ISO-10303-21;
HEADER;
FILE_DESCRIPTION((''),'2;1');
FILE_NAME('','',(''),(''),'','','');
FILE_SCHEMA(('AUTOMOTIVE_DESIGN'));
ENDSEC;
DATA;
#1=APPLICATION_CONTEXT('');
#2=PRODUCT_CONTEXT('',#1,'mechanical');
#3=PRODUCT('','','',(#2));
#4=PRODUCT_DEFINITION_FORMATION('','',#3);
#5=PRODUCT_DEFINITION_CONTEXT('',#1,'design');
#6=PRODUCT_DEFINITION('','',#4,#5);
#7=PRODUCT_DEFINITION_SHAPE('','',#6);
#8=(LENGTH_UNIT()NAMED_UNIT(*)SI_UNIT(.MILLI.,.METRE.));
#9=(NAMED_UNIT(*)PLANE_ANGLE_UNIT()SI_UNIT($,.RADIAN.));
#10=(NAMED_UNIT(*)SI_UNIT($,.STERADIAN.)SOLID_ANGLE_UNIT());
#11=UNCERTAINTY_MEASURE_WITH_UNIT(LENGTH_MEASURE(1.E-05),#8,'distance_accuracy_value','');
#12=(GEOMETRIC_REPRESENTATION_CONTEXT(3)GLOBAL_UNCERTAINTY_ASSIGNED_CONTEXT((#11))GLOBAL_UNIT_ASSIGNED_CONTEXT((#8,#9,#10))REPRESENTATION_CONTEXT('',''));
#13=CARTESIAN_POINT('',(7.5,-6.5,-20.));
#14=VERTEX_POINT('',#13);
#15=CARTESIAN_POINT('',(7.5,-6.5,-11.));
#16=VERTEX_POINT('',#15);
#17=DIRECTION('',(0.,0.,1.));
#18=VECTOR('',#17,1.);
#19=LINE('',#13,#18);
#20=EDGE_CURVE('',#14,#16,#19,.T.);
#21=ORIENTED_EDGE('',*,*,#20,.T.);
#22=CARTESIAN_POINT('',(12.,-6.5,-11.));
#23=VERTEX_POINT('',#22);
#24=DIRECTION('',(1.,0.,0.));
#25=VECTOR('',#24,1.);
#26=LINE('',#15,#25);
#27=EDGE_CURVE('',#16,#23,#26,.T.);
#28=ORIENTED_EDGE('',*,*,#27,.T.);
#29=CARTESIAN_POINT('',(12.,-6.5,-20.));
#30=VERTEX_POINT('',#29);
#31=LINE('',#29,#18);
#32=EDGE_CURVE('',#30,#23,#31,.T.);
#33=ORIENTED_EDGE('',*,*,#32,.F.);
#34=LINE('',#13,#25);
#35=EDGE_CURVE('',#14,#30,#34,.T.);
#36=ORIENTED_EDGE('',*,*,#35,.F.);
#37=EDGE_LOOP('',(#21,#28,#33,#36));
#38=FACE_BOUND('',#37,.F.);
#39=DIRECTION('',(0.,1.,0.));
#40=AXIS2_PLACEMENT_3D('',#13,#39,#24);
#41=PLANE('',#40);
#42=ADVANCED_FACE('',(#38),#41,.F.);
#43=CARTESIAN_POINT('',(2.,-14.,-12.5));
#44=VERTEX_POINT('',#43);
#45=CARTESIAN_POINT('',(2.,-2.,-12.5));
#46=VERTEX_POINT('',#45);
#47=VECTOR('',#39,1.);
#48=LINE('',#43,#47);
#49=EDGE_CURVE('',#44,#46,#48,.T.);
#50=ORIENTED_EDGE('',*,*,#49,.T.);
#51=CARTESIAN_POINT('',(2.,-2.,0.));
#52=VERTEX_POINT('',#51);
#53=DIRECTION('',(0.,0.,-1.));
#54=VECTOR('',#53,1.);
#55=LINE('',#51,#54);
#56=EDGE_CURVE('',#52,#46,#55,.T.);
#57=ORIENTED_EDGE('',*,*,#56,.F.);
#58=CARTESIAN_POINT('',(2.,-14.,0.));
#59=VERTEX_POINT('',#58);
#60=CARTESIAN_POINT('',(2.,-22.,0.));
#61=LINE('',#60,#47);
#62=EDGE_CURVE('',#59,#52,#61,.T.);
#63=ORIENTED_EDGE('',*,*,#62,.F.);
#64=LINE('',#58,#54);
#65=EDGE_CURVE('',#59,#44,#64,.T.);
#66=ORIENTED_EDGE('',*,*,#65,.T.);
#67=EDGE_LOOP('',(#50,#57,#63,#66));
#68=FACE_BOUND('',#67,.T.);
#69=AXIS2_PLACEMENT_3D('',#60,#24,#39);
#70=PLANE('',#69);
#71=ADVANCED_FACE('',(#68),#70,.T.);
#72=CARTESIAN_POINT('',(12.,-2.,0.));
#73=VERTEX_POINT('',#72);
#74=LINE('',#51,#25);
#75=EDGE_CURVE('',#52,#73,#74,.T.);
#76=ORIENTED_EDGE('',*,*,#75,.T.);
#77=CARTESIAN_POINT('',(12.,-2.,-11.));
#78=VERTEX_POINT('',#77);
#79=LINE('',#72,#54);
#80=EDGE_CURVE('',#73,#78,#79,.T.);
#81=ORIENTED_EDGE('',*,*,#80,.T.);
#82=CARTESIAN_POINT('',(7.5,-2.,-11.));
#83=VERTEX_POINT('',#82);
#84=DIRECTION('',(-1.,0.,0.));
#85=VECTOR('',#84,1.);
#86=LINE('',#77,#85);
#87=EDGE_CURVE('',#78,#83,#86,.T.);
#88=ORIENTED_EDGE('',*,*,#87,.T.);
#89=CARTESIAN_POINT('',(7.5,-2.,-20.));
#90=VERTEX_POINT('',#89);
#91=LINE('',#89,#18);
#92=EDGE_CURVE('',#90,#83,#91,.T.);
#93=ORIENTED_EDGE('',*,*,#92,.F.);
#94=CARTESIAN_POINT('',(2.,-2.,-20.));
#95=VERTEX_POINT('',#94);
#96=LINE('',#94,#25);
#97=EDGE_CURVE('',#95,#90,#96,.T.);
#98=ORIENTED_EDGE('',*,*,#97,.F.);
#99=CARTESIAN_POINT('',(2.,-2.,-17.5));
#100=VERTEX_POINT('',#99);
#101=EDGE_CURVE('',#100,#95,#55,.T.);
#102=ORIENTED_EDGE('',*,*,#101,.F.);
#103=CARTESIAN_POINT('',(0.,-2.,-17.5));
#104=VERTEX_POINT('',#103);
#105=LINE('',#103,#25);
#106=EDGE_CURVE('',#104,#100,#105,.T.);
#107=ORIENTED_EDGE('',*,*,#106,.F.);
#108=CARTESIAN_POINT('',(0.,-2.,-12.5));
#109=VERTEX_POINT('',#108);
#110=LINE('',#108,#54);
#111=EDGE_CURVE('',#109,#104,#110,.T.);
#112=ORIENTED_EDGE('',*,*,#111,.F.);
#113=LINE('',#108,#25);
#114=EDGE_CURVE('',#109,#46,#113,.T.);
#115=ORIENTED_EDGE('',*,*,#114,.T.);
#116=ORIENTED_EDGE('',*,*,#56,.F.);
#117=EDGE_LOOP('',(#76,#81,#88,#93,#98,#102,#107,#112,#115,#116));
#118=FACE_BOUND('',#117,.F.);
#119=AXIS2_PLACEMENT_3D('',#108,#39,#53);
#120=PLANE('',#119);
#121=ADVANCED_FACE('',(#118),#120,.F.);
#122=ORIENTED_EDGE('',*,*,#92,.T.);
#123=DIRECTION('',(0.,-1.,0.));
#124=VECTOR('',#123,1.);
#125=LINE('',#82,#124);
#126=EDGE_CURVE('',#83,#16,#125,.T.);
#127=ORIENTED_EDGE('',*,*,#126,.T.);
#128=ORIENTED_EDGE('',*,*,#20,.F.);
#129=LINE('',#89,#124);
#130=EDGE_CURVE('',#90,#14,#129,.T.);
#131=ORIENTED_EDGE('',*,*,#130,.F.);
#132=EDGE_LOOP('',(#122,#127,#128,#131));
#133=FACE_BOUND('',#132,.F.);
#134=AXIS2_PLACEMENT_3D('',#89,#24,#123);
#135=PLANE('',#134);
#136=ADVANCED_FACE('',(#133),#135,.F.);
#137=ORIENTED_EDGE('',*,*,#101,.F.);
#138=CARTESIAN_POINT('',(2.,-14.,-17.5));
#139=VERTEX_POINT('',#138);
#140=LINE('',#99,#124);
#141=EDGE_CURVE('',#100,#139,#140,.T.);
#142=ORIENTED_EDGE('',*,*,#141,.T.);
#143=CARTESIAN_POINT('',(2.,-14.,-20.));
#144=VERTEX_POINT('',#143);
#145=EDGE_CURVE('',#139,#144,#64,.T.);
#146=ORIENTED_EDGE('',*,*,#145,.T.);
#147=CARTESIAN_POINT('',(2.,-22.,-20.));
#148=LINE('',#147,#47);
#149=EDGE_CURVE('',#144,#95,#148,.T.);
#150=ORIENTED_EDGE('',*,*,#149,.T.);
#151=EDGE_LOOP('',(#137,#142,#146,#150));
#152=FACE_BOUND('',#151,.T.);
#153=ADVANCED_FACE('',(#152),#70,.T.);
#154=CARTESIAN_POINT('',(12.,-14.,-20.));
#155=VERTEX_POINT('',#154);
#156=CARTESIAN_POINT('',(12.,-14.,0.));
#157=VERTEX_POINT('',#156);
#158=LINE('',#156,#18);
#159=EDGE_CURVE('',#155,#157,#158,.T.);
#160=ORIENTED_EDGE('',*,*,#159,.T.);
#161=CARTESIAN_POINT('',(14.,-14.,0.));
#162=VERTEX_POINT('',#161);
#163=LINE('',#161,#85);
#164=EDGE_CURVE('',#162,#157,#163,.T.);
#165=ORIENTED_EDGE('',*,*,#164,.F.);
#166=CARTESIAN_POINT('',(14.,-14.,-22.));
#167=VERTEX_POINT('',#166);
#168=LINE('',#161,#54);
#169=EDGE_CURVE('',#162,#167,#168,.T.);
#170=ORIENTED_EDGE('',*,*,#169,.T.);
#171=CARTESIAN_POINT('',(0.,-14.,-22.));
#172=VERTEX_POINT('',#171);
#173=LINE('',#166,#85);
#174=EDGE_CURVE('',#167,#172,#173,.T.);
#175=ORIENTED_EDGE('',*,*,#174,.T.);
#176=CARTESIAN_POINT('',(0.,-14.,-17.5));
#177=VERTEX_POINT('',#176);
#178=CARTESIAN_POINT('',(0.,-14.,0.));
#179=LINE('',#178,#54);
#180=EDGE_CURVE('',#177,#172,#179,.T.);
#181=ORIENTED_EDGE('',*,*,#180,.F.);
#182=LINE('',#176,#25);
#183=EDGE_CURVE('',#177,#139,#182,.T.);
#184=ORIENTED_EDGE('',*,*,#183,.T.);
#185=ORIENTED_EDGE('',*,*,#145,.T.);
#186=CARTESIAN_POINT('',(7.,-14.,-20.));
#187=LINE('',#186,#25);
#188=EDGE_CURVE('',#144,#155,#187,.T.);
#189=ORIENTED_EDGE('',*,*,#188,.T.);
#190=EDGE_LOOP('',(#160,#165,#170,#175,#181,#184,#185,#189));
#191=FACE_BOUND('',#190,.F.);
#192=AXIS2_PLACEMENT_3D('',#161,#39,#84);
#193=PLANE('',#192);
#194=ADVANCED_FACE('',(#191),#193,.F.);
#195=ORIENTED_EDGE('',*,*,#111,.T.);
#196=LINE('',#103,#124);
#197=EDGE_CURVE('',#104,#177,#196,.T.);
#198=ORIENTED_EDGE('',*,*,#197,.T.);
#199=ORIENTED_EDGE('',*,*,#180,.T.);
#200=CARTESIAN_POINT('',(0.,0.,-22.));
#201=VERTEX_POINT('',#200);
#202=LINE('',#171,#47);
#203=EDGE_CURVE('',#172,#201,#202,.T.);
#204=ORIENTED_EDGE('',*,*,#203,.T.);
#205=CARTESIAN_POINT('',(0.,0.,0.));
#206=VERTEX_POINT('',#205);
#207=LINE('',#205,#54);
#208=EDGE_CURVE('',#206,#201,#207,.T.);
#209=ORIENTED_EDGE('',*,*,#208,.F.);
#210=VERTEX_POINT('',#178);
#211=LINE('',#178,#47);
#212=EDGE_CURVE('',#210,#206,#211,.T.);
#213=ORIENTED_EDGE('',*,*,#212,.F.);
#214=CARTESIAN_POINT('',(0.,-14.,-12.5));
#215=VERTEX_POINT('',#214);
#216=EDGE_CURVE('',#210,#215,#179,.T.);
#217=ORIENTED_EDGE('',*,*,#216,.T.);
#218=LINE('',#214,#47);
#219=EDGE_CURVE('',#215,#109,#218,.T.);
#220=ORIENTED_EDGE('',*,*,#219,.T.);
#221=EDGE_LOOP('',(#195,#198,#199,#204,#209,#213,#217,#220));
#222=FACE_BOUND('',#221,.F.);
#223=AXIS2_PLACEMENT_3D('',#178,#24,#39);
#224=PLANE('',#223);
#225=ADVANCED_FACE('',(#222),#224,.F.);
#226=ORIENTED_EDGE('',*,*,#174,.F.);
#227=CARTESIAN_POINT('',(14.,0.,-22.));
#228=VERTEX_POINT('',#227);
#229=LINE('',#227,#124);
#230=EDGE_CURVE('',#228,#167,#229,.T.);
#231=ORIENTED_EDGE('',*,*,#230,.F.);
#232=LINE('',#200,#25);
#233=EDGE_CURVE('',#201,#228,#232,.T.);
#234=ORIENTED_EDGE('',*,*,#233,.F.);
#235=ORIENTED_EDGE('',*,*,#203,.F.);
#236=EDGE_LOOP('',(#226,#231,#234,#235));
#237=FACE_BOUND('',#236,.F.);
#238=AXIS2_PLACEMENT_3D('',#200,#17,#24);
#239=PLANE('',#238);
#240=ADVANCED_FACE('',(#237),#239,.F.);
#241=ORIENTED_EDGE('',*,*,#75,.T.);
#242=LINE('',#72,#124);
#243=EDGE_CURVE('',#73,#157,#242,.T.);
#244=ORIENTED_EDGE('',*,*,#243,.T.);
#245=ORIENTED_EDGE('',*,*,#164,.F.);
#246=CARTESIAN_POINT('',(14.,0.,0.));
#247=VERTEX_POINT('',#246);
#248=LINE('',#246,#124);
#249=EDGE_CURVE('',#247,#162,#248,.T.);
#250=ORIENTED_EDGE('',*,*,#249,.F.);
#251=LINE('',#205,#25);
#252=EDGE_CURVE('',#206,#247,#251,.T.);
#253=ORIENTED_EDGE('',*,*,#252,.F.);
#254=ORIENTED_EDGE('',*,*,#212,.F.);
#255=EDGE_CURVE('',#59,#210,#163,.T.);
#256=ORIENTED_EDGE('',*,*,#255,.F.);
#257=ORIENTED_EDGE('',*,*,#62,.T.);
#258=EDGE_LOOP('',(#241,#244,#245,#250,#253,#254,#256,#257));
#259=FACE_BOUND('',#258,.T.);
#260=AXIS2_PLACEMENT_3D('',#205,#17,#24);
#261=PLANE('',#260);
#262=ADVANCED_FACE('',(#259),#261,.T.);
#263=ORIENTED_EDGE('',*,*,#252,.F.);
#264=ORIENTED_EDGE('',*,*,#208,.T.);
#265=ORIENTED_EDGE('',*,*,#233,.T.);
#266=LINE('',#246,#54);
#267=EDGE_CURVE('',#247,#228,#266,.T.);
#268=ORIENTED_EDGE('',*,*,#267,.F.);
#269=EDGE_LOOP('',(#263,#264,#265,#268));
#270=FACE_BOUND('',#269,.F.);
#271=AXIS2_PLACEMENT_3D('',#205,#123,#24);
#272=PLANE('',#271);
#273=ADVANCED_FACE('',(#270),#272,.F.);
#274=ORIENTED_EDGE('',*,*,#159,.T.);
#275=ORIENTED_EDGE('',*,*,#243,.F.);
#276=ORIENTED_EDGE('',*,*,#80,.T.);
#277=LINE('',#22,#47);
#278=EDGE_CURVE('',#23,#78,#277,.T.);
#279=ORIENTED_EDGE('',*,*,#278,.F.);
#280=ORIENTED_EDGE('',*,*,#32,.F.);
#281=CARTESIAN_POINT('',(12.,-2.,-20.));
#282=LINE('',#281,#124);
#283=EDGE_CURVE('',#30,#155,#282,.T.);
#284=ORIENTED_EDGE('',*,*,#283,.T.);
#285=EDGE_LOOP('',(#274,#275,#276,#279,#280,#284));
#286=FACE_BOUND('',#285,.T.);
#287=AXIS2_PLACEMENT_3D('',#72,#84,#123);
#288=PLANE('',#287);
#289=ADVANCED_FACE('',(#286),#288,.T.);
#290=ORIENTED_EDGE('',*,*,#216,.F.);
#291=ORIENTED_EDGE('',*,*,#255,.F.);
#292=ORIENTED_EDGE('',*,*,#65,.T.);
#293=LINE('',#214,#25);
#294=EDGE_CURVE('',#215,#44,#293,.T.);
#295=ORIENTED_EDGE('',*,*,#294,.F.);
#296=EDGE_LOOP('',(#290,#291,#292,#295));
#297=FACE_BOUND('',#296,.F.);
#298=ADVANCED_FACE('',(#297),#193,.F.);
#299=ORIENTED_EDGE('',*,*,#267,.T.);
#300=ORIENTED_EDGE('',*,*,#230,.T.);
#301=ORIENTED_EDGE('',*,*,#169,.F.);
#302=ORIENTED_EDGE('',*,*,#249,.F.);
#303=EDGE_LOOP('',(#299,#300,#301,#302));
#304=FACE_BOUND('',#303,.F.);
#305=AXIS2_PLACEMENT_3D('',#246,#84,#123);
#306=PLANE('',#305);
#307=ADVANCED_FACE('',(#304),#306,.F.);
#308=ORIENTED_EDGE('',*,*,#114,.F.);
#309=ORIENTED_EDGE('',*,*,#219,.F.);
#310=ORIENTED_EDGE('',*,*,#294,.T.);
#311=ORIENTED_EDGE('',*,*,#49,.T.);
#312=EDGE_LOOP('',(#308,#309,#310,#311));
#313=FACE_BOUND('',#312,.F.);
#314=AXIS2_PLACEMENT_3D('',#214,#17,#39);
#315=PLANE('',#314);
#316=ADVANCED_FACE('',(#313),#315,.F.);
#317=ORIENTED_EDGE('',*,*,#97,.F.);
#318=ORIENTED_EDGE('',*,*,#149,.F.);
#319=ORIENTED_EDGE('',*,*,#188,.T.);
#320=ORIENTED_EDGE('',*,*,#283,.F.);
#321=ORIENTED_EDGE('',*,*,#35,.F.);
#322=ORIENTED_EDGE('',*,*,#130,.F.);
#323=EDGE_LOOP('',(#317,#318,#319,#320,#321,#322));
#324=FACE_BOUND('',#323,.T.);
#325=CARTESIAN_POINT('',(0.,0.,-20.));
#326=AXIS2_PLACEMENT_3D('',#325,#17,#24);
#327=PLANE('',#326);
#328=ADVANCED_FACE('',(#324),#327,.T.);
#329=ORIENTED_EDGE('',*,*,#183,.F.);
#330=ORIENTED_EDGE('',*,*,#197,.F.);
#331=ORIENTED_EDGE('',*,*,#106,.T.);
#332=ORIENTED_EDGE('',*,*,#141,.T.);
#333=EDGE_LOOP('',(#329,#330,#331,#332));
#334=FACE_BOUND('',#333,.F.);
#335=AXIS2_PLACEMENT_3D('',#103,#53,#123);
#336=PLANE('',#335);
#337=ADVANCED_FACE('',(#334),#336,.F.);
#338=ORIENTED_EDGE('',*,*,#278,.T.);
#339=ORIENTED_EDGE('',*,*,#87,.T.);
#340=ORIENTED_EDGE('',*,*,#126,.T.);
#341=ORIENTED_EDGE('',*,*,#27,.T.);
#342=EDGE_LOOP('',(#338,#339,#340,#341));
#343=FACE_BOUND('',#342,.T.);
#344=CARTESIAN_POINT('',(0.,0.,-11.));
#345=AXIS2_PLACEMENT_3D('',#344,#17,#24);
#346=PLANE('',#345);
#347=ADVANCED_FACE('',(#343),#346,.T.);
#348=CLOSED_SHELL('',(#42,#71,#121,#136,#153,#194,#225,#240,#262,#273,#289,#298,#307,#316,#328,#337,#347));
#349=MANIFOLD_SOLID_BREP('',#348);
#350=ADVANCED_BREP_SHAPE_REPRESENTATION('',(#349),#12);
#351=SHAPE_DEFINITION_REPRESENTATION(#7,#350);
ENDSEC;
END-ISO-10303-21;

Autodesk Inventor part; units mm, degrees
ref_plane "YZ Plane" through (0, 0, 0) normal (1, 0, 0) x (0, 1, 0)
ref_plane "XZ Plane" through (0, 0, 0) normal (0, 1, 0) x (-1, 0, 0)
ref_plane "XY Plane" through (0, 0, 0) normal (0, 0, 1) x (1, 0, 0)
sketch "Sketch1" plane through (0, 0, 0) normal (0, 0, 1) x (1, 0, 0)
  line L0 (0, 0) -> (14, 0)
  line L1 (14, 0) -> (14, -14)
  line L2 (14, -14) -> (0, -14)
  line L3 (0, -14) -> (0, 0)
  dimension "d0" = 14
  dimension "d1" = 14
extrude "Extrusion1" add sketch "Sketch1" against normal blind 22
sketch "Sketch2" plane through (0, 0, 0) normal (0, 0, 1) x (1, 0, 0)
  line L0 (2, -2) -> (12, -2)
  line L1 (12, -2) -> (12, -22)
  line L2 (12, -22) -> (2, -22)
  line L3 (2, -22) -> (2, -2)
  point P0 (0, 0)
  dimension "d4" = 10
  dimension "d5" = 20
extrude "Extrusion2" cut sketch "Sketch2" against normal blind 20
sketch "Sketch8" plane through (0, -14, 0) normal (-1, 0, 0) x (0, 0, 1)
  point P0 (0, 14)
sketch "Sketch9" plane through (0, -14, 0) normal (-1, 0, 0) x (0, 0, 1)
  point P0 (0, 14)
sketch "Sketch11" plane through (0, -14, 0) normal (-1, 0, 0) x (0, 0, 1)
  point P0 (0, 14)
sketch "Sketch14" plane through (0, -14, 0) normal (-1, 0, 0) x (0, 0, 1)
  point P0 (0, 14)
sketch "Sketch15" plane through (0, -14, 0) normal (-1, 0, 0) x (0, 0, 1)
  point P0 (0, 14)
sketch "Sketch16" plane through (0, -14, 0) normal (-1, 0, 0) x (0, 0, 1)
  line L0 (-12.5, 12) -> (-17.5, 12)
  line L1 (-17.5, 12) -> (-17.5, 0)
  line L2 (-17.5, 0) -> (-12.5, 0)
  line L3 (-12.5, 0) -> (-12.5, 12)
  point P0 (0, 14)
  dimension "d30" = 5
  dimension "d31" = 12
extrude "Extrusion10" cut sketch "Sketch16" against normal blind 2
sketch "Sketch17" plane through (0, 0, -20) normal (0, 0, 1) x (1, 0, 0)
  line L0 (12, -2) -> (7.5, -2)
  line L1 (7.5, -2) -> (7.5, -6.5)
  line L2 (7.5, -6.5) -> (12, -6.5)
  line L3 (12, -6.5) -> (12, -2)
  point P0 (0, 0)
  dimension "d34" = 4.5
  dimension "d35" = 4.5
extrude "Extrusion11" add sketch "Sketch17" along normal blind 9
properties part number "housing_v06"
